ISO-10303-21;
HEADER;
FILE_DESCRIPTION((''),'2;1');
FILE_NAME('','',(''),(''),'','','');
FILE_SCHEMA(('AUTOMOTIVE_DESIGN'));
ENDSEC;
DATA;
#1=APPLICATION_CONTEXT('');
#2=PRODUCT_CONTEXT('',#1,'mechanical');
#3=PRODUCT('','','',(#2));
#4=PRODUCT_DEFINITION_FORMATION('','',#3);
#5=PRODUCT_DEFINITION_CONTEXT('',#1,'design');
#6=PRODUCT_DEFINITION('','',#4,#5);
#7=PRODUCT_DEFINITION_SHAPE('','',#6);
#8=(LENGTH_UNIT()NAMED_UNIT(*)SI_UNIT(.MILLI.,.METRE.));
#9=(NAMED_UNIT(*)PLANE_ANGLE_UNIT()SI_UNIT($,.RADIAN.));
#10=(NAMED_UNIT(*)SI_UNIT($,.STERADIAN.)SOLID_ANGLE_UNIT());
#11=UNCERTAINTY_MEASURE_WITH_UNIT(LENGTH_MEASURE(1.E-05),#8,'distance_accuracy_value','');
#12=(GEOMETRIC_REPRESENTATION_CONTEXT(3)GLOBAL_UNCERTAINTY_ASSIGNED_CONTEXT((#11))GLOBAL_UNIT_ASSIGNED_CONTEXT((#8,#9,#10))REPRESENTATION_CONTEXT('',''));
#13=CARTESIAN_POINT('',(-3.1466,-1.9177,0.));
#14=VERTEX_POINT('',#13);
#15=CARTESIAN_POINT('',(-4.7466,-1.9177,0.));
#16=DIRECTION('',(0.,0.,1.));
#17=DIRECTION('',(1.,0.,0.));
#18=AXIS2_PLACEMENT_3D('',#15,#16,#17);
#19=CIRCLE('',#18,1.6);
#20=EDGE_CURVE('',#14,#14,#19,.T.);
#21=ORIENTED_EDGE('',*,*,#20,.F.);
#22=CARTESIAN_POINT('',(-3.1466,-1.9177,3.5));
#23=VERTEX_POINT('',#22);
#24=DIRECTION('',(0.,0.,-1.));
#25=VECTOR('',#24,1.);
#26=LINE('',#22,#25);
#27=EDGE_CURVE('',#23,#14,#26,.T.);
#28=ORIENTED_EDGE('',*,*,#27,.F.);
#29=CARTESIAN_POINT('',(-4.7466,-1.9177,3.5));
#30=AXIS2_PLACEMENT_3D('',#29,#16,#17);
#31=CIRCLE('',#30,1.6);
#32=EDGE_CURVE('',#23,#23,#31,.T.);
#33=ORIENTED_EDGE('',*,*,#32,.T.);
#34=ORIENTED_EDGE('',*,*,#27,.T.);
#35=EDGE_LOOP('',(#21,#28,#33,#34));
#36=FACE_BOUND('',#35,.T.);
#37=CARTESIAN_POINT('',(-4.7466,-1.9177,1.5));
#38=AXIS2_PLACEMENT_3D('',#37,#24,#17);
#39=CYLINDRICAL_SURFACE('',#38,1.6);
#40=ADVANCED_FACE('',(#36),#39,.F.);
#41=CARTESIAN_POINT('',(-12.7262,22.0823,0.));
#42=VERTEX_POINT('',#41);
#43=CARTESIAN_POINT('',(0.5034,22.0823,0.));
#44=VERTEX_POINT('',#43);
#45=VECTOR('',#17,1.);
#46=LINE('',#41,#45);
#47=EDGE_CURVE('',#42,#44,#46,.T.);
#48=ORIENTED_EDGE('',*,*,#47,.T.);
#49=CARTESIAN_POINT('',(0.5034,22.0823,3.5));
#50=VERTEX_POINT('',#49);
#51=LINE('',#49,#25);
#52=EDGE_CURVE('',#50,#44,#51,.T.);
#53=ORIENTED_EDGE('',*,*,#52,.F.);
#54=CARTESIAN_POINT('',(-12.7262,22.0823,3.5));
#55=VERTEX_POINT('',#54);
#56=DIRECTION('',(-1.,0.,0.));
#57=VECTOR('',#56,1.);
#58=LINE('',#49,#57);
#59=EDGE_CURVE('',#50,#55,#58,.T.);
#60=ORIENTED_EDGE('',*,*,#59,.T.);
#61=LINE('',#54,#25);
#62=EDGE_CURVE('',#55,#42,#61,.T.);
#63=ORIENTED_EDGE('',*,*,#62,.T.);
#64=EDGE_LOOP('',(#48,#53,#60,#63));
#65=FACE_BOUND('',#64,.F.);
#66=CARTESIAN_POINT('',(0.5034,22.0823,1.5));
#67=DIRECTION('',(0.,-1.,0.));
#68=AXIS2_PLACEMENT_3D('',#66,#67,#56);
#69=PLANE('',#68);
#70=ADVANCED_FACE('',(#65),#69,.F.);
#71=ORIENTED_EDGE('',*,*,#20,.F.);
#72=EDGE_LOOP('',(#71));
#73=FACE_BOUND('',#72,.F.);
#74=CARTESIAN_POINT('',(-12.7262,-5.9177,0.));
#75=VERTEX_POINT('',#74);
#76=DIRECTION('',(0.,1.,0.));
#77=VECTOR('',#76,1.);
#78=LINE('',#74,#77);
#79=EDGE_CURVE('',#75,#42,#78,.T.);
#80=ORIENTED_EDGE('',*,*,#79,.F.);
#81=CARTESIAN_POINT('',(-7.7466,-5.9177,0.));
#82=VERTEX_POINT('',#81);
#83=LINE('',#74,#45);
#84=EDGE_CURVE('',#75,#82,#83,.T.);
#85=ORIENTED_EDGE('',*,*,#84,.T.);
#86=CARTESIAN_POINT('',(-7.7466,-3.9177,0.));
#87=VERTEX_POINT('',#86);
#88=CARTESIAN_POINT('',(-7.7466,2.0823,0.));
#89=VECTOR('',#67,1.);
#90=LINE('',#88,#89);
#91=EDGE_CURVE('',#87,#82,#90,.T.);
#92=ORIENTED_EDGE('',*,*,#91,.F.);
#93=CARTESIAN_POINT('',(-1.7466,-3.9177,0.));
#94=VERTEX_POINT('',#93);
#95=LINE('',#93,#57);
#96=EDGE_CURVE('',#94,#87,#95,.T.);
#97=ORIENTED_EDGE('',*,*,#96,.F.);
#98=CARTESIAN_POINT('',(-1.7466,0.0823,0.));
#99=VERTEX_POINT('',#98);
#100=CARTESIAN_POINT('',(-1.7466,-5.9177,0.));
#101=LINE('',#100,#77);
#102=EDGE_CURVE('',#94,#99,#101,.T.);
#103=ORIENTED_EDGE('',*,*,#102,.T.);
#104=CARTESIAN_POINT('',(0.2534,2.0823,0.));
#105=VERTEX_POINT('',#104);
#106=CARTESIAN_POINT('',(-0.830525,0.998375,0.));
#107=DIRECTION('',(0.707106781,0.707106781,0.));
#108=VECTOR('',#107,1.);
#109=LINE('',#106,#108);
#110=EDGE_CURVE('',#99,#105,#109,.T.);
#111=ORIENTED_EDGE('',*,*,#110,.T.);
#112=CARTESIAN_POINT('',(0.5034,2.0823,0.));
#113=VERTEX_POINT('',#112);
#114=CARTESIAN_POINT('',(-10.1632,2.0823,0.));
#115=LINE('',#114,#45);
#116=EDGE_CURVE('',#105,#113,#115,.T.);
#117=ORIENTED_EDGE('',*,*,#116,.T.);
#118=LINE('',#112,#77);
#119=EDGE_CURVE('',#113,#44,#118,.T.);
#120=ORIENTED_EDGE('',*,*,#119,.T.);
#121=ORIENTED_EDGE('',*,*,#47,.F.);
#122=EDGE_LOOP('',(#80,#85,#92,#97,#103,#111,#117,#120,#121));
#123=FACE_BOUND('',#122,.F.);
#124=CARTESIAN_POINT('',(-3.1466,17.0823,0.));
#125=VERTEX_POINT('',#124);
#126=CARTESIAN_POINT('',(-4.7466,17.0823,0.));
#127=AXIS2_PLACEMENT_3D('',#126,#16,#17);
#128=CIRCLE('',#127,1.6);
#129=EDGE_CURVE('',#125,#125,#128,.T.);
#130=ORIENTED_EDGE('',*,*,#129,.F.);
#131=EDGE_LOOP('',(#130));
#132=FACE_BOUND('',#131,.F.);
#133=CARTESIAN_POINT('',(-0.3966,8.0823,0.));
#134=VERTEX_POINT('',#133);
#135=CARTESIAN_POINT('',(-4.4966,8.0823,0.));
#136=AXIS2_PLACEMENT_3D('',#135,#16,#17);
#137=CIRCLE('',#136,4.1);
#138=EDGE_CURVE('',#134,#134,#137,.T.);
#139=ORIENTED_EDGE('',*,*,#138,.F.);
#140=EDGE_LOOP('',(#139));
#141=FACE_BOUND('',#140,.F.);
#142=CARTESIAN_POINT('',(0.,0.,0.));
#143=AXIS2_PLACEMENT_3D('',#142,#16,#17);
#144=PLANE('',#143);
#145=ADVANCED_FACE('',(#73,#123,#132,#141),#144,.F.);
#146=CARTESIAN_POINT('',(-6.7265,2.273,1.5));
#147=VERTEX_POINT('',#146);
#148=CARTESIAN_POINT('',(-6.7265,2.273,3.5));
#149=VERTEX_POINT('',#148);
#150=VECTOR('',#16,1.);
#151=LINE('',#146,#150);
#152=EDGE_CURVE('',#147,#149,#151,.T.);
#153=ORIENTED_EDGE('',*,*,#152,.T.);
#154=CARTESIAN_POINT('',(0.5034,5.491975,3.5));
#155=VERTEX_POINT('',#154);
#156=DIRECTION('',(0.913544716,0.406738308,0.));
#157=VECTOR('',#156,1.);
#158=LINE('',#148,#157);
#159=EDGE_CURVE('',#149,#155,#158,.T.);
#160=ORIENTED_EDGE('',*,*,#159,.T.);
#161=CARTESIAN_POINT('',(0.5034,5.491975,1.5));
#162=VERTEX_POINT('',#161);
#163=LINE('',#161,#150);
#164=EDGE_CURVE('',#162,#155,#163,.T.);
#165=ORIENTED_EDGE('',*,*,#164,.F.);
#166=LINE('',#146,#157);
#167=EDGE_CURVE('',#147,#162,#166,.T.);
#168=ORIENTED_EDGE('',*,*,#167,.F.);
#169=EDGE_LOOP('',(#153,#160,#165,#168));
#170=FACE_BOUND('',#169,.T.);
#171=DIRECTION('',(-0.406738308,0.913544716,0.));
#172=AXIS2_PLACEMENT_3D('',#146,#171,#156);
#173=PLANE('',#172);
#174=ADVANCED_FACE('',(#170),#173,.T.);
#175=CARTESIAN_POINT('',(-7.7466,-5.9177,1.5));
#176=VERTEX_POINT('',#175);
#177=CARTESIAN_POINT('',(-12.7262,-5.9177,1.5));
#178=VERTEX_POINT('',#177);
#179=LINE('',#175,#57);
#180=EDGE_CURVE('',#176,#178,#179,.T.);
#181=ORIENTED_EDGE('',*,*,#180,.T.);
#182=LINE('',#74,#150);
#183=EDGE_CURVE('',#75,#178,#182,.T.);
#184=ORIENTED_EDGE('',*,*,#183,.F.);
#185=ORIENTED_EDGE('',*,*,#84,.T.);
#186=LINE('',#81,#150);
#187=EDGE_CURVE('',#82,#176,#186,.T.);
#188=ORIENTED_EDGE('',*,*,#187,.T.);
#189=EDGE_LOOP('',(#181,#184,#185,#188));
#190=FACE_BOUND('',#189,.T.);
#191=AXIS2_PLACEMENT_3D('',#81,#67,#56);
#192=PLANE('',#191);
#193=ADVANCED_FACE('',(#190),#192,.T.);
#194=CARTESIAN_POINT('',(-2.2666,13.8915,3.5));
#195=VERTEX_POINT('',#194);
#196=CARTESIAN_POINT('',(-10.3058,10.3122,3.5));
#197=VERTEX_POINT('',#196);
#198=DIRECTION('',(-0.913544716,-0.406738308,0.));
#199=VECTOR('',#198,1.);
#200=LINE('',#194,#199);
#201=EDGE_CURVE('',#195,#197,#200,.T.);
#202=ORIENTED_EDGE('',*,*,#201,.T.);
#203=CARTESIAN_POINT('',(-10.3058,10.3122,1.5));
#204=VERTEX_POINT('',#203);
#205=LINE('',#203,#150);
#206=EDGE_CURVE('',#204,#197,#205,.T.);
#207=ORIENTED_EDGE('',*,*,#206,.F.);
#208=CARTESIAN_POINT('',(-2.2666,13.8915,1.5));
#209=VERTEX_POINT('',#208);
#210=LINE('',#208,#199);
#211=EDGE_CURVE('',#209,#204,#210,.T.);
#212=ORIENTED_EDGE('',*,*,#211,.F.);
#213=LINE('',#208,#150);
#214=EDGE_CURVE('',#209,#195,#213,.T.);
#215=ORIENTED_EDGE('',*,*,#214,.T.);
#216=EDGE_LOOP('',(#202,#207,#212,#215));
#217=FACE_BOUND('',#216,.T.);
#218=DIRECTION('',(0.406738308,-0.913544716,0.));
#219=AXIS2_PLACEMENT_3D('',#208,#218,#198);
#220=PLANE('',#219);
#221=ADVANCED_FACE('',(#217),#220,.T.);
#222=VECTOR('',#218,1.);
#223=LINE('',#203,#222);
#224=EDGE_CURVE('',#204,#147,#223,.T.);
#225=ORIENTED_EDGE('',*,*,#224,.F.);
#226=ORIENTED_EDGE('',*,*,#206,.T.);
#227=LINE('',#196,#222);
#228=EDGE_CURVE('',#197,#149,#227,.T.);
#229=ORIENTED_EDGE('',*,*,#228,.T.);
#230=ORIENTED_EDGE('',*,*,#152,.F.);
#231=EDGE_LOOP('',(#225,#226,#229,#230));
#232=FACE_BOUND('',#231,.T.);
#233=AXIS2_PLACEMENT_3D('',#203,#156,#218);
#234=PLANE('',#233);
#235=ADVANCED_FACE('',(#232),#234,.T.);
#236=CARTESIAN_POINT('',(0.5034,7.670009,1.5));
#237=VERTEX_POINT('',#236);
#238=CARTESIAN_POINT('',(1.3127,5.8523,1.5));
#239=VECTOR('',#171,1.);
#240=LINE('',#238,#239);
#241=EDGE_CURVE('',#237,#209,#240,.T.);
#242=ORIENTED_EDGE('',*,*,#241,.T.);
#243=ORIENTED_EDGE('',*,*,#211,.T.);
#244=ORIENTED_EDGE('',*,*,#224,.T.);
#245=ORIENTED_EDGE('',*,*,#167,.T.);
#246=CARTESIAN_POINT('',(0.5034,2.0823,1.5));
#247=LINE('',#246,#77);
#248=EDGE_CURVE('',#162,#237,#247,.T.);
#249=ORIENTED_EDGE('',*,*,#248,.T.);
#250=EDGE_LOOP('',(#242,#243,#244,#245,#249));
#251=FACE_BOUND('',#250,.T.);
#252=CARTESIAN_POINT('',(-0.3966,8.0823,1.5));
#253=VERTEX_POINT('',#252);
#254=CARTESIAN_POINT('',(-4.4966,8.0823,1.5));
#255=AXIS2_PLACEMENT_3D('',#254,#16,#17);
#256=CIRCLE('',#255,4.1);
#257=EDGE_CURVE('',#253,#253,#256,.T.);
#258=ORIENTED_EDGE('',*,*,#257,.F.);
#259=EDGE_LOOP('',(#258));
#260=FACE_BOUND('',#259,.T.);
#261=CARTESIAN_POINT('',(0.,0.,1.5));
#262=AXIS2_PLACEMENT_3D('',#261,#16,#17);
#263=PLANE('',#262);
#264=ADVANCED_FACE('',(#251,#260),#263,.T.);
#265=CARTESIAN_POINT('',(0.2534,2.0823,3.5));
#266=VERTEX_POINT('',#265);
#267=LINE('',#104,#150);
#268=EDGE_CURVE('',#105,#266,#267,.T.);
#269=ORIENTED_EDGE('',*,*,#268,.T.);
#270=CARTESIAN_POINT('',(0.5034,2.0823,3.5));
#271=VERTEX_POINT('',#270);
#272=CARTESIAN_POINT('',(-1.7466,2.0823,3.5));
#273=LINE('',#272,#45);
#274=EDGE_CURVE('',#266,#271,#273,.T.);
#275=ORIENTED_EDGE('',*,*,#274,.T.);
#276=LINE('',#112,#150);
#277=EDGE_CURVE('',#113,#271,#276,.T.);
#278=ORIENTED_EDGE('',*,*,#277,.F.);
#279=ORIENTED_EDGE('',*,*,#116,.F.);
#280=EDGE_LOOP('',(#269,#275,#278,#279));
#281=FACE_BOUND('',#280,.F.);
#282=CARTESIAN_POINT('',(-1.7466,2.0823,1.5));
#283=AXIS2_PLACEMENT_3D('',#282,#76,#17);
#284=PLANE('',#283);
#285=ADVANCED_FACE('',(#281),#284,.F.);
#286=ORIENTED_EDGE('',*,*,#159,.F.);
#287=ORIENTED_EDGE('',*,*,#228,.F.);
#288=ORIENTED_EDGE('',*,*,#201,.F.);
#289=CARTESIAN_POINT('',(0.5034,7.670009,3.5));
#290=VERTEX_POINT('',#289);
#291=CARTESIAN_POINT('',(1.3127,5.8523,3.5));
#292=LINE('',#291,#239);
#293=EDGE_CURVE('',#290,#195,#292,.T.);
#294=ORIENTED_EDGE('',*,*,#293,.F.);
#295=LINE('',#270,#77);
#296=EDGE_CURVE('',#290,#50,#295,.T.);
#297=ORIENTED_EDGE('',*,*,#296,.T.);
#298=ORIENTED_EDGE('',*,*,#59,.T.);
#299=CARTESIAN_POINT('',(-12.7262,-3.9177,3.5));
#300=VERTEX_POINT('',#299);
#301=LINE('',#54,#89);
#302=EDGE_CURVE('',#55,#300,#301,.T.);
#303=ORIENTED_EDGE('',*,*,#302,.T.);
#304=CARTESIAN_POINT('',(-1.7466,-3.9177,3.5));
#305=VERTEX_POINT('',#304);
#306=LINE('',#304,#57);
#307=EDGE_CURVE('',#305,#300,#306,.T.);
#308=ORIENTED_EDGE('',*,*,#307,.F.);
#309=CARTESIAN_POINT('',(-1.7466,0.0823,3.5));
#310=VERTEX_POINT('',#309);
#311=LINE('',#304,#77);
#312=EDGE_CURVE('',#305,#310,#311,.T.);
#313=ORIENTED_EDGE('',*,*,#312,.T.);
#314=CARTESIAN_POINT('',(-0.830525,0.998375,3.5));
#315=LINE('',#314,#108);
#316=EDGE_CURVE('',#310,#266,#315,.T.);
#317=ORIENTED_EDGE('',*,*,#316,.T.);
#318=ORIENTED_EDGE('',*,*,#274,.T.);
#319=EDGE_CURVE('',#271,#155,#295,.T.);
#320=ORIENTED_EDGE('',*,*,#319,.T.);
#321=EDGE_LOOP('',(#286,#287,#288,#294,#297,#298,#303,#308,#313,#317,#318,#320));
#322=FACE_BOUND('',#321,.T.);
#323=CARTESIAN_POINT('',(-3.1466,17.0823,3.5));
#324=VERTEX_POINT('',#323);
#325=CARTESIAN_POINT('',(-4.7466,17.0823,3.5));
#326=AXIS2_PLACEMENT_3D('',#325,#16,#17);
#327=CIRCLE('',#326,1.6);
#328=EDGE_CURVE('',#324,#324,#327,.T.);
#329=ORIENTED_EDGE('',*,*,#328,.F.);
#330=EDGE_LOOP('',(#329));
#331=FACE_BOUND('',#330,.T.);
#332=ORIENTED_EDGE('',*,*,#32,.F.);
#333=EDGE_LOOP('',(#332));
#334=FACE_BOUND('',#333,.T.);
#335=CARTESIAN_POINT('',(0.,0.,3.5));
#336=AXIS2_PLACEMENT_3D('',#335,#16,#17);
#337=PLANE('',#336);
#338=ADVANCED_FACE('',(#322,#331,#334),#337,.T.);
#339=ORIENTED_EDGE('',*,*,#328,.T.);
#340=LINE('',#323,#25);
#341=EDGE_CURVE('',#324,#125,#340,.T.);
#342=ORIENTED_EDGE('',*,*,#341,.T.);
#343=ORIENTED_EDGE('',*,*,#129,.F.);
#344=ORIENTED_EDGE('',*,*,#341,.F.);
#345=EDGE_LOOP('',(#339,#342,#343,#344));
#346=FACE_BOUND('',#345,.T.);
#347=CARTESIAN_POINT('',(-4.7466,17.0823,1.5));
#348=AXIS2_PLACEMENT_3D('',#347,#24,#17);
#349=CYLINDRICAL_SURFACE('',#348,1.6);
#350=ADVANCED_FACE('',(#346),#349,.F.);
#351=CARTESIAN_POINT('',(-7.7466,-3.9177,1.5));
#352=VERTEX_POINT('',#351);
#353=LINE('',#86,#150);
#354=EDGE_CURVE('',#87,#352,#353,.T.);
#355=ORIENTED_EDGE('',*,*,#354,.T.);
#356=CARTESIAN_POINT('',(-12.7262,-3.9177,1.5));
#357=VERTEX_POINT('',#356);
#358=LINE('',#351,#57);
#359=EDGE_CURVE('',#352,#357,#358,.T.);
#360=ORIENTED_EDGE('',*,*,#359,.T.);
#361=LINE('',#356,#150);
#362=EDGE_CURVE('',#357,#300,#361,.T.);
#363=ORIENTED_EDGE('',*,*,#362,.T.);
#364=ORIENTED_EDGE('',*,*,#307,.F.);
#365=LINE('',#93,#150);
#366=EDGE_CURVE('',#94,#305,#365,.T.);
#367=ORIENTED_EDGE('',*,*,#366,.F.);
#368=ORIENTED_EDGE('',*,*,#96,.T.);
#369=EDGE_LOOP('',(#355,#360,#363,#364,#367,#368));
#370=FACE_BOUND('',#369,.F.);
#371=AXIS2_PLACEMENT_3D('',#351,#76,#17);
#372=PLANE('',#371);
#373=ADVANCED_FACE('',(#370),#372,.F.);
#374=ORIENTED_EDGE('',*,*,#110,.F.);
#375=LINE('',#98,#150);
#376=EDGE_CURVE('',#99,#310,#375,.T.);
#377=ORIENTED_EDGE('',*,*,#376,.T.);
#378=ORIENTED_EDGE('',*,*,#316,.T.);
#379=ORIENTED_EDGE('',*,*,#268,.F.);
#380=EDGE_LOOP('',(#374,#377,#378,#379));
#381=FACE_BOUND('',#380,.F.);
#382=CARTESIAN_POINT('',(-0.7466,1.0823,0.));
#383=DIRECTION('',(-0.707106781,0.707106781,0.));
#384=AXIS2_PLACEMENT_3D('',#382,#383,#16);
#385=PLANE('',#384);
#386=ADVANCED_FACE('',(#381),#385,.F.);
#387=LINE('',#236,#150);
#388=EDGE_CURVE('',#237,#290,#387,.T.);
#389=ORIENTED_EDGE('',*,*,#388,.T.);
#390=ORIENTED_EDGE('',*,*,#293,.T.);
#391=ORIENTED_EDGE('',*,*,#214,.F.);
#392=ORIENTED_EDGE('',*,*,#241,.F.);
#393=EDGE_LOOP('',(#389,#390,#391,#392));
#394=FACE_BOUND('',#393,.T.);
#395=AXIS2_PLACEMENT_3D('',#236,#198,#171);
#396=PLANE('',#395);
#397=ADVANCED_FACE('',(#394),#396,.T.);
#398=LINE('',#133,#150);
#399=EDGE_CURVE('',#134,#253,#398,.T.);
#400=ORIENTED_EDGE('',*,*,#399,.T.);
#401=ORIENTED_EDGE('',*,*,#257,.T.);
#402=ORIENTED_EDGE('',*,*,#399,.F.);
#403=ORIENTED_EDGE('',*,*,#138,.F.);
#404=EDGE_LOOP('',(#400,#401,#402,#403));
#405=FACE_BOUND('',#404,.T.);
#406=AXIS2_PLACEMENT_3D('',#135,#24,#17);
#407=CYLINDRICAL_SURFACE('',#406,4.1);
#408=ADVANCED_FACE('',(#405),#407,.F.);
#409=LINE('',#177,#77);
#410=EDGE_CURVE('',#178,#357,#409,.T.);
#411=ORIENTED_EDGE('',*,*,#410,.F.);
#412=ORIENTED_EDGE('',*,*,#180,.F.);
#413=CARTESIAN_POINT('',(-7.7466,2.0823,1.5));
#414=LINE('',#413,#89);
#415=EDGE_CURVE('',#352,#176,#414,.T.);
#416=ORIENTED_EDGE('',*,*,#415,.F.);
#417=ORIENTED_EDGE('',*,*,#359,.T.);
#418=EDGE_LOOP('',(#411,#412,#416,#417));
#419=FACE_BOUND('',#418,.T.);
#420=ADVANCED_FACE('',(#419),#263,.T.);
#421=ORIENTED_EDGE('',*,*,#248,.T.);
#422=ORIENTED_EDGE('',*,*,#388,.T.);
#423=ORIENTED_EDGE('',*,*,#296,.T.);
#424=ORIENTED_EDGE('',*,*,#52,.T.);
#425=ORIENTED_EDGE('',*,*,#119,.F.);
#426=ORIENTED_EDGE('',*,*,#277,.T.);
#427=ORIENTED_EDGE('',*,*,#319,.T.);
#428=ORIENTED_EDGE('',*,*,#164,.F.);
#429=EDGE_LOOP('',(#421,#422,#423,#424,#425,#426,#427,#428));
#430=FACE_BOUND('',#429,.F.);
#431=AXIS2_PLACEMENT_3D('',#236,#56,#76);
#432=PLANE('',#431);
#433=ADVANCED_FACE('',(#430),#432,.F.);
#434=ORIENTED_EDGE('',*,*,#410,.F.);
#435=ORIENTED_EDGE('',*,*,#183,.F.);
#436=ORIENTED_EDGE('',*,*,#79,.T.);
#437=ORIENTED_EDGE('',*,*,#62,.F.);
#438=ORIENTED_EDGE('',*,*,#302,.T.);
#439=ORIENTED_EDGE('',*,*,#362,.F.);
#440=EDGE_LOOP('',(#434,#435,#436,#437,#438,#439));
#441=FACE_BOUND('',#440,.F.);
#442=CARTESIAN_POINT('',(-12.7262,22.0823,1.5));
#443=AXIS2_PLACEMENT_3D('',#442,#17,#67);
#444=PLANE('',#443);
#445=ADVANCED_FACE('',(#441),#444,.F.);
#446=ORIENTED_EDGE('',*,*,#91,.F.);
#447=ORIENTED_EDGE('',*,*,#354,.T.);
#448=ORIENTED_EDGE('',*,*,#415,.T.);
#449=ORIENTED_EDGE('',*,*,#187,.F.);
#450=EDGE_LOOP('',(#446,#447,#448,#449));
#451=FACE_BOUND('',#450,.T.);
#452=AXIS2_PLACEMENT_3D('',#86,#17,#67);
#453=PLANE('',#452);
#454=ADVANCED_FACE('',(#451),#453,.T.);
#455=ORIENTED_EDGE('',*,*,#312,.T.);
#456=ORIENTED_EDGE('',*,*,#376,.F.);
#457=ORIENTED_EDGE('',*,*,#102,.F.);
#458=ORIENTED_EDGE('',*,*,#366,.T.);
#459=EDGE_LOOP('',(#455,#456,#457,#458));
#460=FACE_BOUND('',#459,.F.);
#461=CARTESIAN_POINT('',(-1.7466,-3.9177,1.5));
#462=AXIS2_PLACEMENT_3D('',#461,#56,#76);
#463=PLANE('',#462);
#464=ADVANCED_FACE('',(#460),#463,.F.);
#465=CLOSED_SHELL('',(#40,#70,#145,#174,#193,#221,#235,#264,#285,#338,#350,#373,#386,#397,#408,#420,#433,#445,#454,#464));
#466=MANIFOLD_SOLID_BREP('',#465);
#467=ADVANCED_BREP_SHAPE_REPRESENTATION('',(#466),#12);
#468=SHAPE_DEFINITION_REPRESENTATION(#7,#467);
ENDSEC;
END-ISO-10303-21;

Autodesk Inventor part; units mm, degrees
ref_plane "YZ Plane" through (0, 0, 0) normal (1, 0, 0) x (0, 1, 0)
ref_plane "XZ Plane" through (0, 0, 0) normal (0, 1, 0) x (-1, 0, 0)
ref_plane "Arbeitsebene1" through (0, 0, 0) normal (0, 0, 1) x (1, 0, 0)
sketch "Skizze1" plane through (0, 0, 0) normal (0, 0, 1) x (1, 0, 0)
  line L0 (-7.7466, -5.9177) -> (-1.7466, -5.9177)
  line L1 (-1.7466, -5.9177) -> (-1.7466, 2.0823)
  line L2 (-1.7466, 2.0823) -> (-7.7466, 2.0823)
  line L3 (-7.7466, 2.0823) -> (-7.7466, -5.9177)
  line L4 (-7.7466, -5.9177) -> (-1.7466, 2.0823) construction
  line L5 (-1.7466, -5.9177) -> (-7.7466, 2.0823) construction
  line L6 (-7.7466, -5.9177) -> (-1.7466, -5.9177)
  line L7 (-1.7466, -5.9177) -> (-1.7466, -3.9177)
  line L8 (-1.7466, -3.9177) -> (-7.7466, -3.9177)
  line L9 (-7.7466, -3.9177) -> (-7.7466, -5.9177)
  circle A0 centre (-4.7466, -1.9177) radius 1.6
  line L10 (0.5034, 22.0823) -> (-10.1632, 22.0823)
  line L11 (-10.1632, 22.0823) -> (-10.1632, 2.0823)
  line L12 (-10.1632, 2.0823) -> (0.5034, 2.0823)
  line L13 (0.5034, 2.0823) -> (0.5034, 22.0823)
  line L14 (0.5034, 22.0823) -> (-10.1632, 2.0823) construction
  line L15 (-10.1632, 22.0823) -> (0.5034, 2.0823) construction
  circle A1 centre (-4.7466, 17.0823) radius 1.6
  circle A2 centre (-4.4966, 8.0823) radius 4.1
  line L16 (-7.7466, -5.9177) -> (-10.1632, -5.9177)
  line L17 (-10.1632, -5.9177) -> (-10.1632, 2.0823)
  line L18 (-10.1632, 2.0823) -> (-7.7466, 2.0823)
  line L19 (-7.7466, 2.0823) -> (-7.7466, -5.9177)
  line L20 (-10.1632, -5.9177) -> (-12.7262, -5.9177)
  line L21 (-12.7262, -5.9177) -> (-12.7262, 22.0823)
  line L22 (-12.7262, 22.0823) -> (-10.1632, 22.0823)
  line L23 (-10.1632, 22.0823) -> (-10.1632, -5.9177)
  point P0 (0, 0)
  point P1 (-7.7466, -3.9177)
  point P2 (-4.8299, 12.0823)
  point P3 (-1.7466, 2.0823)
  point P4 (-7.7466, 2.0823)
  point P5 (-4.7466, 2.0823)
  dimension "d0" = 6
  dimension "d1" = 8
  dimension "d10" = 2
  dimension "d11" = 3.2
  dimension "d12" = 20
  dimension "d13" = 3.2
  dimension "d14" = 19
  dimension "d15" = 8.2
  dimension "d44" = 0
  dimension "d45" = 5.25
  dimension "d46" = 9
  dimension "d53" = 0.25
ref_plane "Arbeitsebene2" through (-9.2536, 3.4368, 4) normal (0, 0, 1) x (1, -0.0003, 0)
extrude "Extrusion1" add sketch "Skizze1" along normal blind 1.5 contours L16 L17 L12 L3 | L3 L2 L1 L8 | L20 L21 L22 L11 L17 | L12 L11 L10 L13 L2
sketch "Skizze4" plane through (0, 0, 1.5) normal (0, 0, 1) x (1, 0, 0)
  line L0 (-55.6662, 35.6355) -> (-7.4062, 35.6355) construction
  line L1 (-7.4062, 35.6355) -> (-7.4062, -28.7112) construction
  line L2 (-7.4062, -28.7112) -> (-55.6662, -28.7112) construction
  line L3 (-55.6662, -28.7112) -> (-55.6662, 35.6355) construction
  line L4 (-34.8105, 18.9517) -> (-34.8105, 11.3513)
  line L5 (-34.8105, 11.3513) -> (-29.4903, 14.6086)
  line L6 (-1.7466, -3.9177) -> (-1.7466, 2.0823) projected
  line L7 (-1.7466, 2.0823) -> (0.5034, 2.0823) projected
  line L8 (0.5034, 2.0823) -> (0.5034, 22.0823) projected
  line L9 (-7.7466, -5.9177) -> (-7.7466, -3.9177) projected
  line L10 (-7.7466, -3.9177) -> (-1.7466, -3.9177) projected
  circle A0 centre (-4.7466, 17.0823) radius 1.6 projected
  circle A1 centre (-4.4966, 8.0823) radius 4.1 projected
  circle A2 centre (-4.7466, -1.9177) radius 1.6 projected
  line L11 (1.3127, 5.8523) -> (-2.2666, 13.8915)
  line L12 (-2.2666, 13.8915) -> (-10.3058, 10.3122)
  line L13 (-10.3058, 10.3122) -> (-6.7265, 2.273)
  line L14 (-6.7265, 2.273) -> (1.3127, 5.8523)
  line L15 (1.3127, 5.8523) -> (-10.3058, 10.3122) construction
  line L16 (-2.2666, 13.8915) -> (-6.7265, 2.273) construction
  line L17 (1.3127, 5.8523) -> (10.1127, 5.8523) construction
  line L18 (0.5034, 22.0823) -> (-12.7262, 22.0823) projected
  line L19 (-12.7262, 22.0823) -> (-12.7262, -5.9177) projected
  line L20 (-12.7262, -5.9177) -> (-7.7466, -5.9177) projected
  line L21 (-7.7466, -3.9177) -> (-1.7466, -3.9177) projected
  line L22 (-7.7466, -3.9177) -> (-12.7262, -3.9177)
  line L23 (-12.7262, 22.0823) -> (-12.7262, -5.9177) projected
  point P0 (0, 0)
  point P1 (0.5034, 5.492)
  point P2 (0.5034, 7.6699)
  dimension "d40" = 8.8
  dimension "d41" = 114
  dimension "d42" = 8.8
extrude "Extrusion4" add sketch "Skizze4" along normal blind 2 contours L10 L22 L19 L18 L8 L11 L12 L13 L14 L7 L6
chamfer "Fase2" distance 2 angle 45 1 edges at (-1.7466, 2.0823, 1.75)
properties part number "30_Linear_Stage_NEMA11_baseholder_bayonetmount_objective_autofocus_kes400_camerabracket_underAnAngle"
